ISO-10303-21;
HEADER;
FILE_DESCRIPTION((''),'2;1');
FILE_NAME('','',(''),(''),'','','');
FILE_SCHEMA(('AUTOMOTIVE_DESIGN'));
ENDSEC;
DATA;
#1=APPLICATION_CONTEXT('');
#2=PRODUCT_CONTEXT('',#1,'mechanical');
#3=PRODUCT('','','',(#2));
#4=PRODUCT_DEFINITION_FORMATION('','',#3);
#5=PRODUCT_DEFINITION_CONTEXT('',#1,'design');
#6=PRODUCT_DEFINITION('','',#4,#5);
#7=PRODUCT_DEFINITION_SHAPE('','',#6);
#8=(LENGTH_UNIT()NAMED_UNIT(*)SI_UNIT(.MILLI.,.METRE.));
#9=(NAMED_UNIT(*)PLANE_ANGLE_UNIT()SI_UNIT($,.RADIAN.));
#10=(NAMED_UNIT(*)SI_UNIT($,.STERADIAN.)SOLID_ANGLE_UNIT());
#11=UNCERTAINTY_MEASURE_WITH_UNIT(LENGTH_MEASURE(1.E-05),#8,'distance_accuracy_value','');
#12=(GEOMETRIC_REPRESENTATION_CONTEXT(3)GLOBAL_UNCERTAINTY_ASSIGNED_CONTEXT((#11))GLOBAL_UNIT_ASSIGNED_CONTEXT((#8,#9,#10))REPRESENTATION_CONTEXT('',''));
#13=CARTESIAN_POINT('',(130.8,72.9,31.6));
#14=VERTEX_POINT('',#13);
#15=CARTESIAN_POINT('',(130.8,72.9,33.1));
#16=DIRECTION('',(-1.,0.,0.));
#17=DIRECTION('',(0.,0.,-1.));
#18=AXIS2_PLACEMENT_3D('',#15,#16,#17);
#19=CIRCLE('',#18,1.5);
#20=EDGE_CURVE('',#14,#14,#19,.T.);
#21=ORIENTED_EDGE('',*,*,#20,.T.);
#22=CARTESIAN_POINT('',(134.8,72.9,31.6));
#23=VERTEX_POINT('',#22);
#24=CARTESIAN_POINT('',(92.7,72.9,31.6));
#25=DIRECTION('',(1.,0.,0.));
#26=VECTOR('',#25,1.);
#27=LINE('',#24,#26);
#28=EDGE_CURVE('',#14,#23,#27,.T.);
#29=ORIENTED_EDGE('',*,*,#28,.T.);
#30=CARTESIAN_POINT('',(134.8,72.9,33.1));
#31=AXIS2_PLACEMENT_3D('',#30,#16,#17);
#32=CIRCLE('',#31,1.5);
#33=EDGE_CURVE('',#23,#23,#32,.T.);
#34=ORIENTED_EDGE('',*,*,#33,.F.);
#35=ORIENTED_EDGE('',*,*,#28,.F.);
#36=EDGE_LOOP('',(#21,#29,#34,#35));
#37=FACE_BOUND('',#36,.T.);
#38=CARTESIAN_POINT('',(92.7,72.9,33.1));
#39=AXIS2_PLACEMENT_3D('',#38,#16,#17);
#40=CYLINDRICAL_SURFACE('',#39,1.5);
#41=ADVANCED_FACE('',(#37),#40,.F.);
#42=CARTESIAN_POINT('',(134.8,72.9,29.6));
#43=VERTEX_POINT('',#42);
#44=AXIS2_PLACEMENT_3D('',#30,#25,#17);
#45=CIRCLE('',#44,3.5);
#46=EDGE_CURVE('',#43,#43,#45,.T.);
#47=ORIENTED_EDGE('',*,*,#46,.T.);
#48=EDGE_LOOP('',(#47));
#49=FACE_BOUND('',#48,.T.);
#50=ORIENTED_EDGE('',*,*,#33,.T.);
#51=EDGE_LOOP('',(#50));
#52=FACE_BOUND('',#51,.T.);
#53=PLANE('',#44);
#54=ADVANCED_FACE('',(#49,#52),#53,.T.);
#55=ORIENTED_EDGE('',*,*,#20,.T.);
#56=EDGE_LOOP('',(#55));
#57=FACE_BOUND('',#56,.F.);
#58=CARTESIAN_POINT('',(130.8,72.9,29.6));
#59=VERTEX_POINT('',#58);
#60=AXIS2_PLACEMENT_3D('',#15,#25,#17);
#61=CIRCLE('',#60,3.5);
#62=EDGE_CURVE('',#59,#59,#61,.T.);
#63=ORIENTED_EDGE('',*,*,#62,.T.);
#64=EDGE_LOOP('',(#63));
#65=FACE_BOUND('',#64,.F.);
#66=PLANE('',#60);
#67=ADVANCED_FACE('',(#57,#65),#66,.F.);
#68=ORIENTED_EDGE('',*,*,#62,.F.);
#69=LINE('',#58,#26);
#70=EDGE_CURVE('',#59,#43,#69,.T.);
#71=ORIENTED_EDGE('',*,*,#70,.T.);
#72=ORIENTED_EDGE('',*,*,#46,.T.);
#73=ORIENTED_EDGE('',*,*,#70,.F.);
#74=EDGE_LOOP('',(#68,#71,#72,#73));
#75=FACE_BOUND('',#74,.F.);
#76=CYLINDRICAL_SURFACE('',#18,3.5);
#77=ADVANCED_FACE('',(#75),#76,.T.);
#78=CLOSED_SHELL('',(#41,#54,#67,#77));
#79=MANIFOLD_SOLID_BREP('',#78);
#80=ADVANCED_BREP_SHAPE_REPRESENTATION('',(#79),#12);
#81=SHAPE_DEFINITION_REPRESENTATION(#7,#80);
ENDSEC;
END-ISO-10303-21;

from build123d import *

# Parameters (mm, degrees)
CYLINDER174_R     = 1.5
CYLINDER174_DEPTH = 55
CYLINDER170_R     = 3.5
CYLINDER170_DEPTH = 4


with BuildPart() as cylinder174:
    # Cylinder174 → Cylinder174 (new body)
    with BuildSketch(Plane(origin=(92.7, 72.9, 33.1), x_dir=(0, 0, -1), z_dir=(1, 0, 0))):
        Circle(CYLINDER174_R)
    extrude(amount=CYLINDER174_DEPTH)


with BuildPart() as cut207:
    # Cylinder170 → Cylinder170 (new body)
    with BuildSketch(Plane(origin=(130.8, 72.9, 33.1), x_dir=(0, 0, -1), z_dir=(1, 0, 0))):
        Circle(CYLINDER170_R)
    extrude(amount=CYLINDER170_DEPTH)

    # Cut207: cut Cylinder174
    add(cylinder174.part, mode=Mode.SUBTRACT)


solid = cut207.part
